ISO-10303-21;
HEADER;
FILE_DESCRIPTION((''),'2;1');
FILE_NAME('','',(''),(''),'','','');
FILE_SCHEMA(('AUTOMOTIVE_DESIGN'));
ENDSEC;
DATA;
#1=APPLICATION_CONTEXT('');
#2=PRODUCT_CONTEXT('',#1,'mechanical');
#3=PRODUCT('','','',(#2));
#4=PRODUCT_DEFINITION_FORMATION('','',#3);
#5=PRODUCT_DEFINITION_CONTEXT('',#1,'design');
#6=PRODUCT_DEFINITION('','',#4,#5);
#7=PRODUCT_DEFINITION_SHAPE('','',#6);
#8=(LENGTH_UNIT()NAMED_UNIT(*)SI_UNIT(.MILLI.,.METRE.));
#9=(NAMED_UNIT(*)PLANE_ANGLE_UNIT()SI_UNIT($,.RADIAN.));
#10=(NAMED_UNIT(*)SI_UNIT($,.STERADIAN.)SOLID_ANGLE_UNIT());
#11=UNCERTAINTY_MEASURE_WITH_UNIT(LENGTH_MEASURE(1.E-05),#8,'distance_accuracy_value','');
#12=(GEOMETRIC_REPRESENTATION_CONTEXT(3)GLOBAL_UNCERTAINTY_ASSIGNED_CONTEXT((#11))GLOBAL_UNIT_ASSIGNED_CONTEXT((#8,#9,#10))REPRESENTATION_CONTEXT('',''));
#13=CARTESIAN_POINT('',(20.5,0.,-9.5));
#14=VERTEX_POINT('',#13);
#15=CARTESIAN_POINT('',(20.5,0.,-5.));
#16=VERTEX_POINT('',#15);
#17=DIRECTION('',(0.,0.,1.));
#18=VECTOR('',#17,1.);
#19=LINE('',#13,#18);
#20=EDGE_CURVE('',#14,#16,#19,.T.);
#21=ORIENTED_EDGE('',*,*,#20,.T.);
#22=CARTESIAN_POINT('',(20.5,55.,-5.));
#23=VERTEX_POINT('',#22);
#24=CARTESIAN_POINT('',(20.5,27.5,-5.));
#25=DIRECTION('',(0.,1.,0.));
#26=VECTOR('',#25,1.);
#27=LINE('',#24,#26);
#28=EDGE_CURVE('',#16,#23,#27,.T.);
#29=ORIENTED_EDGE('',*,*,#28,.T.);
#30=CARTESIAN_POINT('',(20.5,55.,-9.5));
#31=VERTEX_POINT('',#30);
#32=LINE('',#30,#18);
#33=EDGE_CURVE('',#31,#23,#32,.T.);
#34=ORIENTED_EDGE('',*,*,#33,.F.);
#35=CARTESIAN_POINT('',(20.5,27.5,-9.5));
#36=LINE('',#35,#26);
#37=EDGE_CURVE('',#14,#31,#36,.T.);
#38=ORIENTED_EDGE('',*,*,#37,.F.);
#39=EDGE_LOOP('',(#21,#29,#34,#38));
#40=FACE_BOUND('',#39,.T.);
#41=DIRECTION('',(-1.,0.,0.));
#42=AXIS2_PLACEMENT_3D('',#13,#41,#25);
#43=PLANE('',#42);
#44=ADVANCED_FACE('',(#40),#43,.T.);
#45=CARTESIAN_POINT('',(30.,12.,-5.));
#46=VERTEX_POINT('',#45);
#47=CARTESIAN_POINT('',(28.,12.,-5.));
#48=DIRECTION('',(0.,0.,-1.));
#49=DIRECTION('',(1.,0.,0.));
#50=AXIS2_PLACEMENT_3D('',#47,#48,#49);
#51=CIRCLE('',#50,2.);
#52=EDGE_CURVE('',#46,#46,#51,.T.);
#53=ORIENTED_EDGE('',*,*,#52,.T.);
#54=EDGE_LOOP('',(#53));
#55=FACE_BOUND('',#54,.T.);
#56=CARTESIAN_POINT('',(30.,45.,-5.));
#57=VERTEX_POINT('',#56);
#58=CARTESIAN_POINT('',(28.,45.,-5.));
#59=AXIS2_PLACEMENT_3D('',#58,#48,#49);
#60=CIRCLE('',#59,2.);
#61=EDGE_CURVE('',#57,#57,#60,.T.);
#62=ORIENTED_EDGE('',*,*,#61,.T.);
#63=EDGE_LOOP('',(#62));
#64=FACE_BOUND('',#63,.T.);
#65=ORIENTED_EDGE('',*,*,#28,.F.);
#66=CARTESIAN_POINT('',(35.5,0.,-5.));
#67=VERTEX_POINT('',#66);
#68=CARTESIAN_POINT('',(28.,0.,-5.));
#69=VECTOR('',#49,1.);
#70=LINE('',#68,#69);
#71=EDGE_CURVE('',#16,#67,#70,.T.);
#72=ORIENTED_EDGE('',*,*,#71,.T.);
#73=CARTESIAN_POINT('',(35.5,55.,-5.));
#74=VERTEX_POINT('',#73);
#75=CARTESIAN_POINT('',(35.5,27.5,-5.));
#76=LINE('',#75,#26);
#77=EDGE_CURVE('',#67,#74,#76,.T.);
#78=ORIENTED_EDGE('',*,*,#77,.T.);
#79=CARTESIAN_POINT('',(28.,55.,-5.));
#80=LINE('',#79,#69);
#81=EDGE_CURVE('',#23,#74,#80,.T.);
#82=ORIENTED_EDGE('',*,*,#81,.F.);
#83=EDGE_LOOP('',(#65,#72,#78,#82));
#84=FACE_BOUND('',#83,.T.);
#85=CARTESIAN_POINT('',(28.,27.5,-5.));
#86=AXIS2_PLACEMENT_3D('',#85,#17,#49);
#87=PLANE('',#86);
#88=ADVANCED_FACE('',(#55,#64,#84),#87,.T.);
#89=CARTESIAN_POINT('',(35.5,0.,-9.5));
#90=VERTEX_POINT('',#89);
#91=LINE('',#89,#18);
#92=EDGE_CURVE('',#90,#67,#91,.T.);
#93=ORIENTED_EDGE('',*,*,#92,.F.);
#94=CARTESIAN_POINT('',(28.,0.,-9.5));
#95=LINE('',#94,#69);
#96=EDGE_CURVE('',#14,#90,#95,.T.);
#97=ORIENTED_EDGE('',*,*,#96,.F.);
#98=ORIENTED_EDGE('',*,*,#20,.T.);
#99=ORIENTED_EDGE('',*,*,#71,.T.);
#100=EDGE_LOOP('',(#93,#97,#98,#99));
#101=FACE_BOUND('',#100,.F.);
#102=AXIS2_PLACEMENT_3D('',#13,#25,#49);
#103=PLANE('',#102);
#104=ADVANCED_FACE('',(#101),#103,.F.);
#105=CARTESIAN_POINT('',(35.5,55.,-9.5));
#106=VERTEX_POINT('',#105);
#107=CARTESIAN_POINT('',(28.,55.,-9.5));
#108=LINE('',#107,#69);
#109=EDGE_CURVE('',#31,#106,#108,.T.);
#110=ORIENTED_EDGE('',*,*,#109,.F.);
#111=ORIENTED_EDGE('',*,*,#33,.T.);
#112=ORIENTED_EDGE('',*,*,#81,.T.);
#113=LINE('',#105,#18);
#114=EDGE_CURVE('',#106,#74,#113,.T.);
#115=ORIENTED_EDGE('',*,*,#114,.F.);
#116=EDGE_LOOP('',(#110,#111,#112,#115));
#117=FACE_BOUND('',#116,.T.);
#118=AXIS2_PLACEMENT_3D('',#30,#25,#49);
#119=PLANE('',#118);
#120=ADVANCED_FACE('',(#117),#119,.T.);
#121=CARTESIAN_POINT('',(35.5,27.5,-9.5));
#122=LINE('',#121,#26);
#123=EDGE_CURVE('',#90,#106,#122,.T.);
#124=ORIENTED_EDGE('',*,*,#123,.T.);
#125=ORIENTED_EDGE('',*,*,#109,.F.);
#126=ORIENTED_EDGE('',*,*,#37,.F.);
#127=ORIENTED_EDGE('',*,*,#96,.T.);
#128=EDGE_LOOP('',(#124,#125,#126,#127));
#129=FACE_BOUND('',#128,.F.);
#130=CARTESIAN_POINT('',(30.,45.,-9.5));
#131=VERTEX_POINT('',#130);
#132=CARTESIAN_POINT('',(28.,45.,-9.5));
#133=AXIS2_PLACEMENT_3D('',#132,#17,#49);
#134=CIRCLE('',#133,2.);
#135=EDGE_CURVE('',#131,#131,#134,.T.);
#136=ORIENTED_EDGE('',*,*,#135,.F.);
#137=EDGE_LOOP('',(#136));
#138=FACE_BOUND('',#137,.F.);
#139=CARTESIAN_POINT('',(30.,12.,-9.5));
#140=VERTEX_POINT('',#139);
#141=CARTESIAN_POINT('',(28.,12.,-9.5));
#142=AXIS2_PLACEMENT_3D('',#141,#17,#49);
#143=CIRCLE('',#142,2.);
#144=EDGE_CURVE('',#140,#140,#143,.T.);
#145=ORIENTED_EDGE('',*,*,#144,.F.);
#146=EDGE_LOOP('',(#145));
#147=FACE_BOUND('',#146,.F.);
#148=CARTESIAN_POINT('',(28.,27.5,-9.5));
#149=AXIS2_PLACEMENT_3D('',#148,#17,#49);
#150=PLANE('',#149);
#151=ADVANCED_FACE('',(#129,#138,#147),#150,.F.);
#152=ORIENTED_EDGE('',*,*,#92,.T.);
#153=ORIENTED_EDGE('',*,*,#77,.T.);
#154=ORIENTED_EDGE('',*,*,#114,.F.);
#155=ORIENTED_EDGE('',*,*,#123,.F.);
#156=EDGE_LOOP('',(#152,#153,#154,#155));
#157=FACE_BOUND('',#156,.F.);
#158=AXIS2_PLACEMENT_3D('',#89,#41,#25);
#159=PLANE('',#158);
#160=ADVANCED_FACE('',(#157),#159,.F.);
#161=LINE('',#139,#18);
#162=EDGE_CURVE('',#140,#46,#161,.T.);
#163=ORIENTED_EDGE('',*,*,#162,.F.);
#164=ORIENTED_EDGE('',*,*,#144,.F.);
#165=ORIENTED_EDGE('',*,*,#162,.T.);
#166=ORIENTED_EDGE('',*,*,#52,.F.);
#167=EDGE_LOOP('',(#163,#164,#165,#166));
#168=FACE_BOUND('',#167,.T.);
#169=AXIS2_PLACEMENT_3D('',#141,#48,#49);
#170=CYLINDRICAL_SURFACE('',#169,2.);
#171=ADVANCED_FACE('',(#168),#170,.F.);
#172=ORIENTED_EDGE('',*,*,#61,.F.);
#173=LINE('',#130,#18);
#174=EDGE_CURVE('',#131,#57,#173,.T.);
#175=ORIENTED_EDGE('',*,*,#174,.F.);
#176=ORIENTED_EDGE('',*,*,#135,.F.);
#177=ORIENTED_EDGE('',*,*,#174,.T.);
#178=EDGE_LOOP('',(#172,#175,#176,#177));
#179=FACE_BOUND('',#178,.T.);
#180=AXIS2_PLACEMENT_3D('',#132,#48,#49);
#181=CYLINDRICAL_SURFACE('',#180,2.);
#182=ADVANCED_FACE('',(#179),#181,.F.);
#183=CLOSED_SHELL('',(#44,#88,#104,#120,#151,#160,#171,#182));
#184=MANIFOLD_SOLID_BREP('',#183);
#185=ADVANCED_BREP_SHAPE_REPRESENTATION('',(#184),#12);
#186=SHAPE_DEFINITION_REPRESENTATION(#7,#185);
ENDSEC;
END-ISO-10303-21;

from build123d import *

# Parameters (mm, degrees)
CYLINDER012_R     = 4
CYLINDER012_DEPTH = 4
CYLINDER013_R     = 2
CYLINDER013_DEPTH = 11.5
CYLINDER010_R     = 4
CYLINDER010_DEPTH = 4
CYLINDER011_R     = 2
CYLINDER011_DEPTH = 11.5
BOX002_W          = 15
BOX002_H          = 55
BOX002_DEPTH      = 4.5


with BuildPart() as cylinder015:
    # Cylinder012 → Cylinder012 (new body)
    with BuildSketch(Plane.XY.offset(7.5)):
        Circle(CYLINDER012_R)
    extrude(amount=CYLINDER012_DEPTH)


with BuildPart() as bolt_hole4_distance:
    # Cylinder013 → Cylinder013 (new body)
    with BuildSketch(Plane.XY):
        Circle(CYLINDER013_R)
    extrude(amount=CYLINDER013_DEPTH)

    # Fusion006: union Cylinder015
    add(cylinder015.part)


with BuildPart() as bolt_hole4_distance_1:
    # Fusion006 placement: moved
    add(bolt_hole4_distance.part.moved(Location((28, 45, -9))))


with BuildPart() as cylinder014:
    # Cylinder010 → Cylinder010 (new body)
    with BuildSketch(Plane.XY.offset(7.5)):
        Circle(CYLINDER010_R)
    extrude(amount=CYLINDER010_DEPTH)


with BuildPart() as bolt_hole3_distance:
    # Cylinder011 → Cylinder011 (new body)
    with BuildSketch(Plane.XY):
        Circle(CYLINDER011_R)
    extrude(amount=CYLINDER011_DEPTH)

    # Fusion005: union Cylinder014
    add(cylinder014.part)


with BuildPart() as bolt_hole3_distance_1:
    # Fusion005 placement: moved
    add(bolt_hole3_distance.part.moved(Location((28, 12, -9))))


with BuildPart() as z_distance:
    # Box002 → Box002 (new body)
    with BuildSketch(Plane(origin=(20.5, 0, -9), x_dir=(1, 0, 0), z_dir=(0, 0, 1))):
        with Locations((7.5, 27.5)):
            Rectangle(BOX002_W, BOX002_H)
    extrude(amount=BOX002_DEPTH)

    # Cut012: cut bolt-hole3-distance
    add(bolt_hole3_distance_1.part, mode=Mode.SUBTRACT)

    # Cut013: cut bolt-hole4-distance
    add(bolt_hole4_distance_1.part, mode=Mode.SUBTRACT)


with BuildPart() as z_distance_1:
    # Cut013 placement: moved
    add(z_distance.part.moved(Location((0, 0, -0.5))))


solid = z_distance_1.part
